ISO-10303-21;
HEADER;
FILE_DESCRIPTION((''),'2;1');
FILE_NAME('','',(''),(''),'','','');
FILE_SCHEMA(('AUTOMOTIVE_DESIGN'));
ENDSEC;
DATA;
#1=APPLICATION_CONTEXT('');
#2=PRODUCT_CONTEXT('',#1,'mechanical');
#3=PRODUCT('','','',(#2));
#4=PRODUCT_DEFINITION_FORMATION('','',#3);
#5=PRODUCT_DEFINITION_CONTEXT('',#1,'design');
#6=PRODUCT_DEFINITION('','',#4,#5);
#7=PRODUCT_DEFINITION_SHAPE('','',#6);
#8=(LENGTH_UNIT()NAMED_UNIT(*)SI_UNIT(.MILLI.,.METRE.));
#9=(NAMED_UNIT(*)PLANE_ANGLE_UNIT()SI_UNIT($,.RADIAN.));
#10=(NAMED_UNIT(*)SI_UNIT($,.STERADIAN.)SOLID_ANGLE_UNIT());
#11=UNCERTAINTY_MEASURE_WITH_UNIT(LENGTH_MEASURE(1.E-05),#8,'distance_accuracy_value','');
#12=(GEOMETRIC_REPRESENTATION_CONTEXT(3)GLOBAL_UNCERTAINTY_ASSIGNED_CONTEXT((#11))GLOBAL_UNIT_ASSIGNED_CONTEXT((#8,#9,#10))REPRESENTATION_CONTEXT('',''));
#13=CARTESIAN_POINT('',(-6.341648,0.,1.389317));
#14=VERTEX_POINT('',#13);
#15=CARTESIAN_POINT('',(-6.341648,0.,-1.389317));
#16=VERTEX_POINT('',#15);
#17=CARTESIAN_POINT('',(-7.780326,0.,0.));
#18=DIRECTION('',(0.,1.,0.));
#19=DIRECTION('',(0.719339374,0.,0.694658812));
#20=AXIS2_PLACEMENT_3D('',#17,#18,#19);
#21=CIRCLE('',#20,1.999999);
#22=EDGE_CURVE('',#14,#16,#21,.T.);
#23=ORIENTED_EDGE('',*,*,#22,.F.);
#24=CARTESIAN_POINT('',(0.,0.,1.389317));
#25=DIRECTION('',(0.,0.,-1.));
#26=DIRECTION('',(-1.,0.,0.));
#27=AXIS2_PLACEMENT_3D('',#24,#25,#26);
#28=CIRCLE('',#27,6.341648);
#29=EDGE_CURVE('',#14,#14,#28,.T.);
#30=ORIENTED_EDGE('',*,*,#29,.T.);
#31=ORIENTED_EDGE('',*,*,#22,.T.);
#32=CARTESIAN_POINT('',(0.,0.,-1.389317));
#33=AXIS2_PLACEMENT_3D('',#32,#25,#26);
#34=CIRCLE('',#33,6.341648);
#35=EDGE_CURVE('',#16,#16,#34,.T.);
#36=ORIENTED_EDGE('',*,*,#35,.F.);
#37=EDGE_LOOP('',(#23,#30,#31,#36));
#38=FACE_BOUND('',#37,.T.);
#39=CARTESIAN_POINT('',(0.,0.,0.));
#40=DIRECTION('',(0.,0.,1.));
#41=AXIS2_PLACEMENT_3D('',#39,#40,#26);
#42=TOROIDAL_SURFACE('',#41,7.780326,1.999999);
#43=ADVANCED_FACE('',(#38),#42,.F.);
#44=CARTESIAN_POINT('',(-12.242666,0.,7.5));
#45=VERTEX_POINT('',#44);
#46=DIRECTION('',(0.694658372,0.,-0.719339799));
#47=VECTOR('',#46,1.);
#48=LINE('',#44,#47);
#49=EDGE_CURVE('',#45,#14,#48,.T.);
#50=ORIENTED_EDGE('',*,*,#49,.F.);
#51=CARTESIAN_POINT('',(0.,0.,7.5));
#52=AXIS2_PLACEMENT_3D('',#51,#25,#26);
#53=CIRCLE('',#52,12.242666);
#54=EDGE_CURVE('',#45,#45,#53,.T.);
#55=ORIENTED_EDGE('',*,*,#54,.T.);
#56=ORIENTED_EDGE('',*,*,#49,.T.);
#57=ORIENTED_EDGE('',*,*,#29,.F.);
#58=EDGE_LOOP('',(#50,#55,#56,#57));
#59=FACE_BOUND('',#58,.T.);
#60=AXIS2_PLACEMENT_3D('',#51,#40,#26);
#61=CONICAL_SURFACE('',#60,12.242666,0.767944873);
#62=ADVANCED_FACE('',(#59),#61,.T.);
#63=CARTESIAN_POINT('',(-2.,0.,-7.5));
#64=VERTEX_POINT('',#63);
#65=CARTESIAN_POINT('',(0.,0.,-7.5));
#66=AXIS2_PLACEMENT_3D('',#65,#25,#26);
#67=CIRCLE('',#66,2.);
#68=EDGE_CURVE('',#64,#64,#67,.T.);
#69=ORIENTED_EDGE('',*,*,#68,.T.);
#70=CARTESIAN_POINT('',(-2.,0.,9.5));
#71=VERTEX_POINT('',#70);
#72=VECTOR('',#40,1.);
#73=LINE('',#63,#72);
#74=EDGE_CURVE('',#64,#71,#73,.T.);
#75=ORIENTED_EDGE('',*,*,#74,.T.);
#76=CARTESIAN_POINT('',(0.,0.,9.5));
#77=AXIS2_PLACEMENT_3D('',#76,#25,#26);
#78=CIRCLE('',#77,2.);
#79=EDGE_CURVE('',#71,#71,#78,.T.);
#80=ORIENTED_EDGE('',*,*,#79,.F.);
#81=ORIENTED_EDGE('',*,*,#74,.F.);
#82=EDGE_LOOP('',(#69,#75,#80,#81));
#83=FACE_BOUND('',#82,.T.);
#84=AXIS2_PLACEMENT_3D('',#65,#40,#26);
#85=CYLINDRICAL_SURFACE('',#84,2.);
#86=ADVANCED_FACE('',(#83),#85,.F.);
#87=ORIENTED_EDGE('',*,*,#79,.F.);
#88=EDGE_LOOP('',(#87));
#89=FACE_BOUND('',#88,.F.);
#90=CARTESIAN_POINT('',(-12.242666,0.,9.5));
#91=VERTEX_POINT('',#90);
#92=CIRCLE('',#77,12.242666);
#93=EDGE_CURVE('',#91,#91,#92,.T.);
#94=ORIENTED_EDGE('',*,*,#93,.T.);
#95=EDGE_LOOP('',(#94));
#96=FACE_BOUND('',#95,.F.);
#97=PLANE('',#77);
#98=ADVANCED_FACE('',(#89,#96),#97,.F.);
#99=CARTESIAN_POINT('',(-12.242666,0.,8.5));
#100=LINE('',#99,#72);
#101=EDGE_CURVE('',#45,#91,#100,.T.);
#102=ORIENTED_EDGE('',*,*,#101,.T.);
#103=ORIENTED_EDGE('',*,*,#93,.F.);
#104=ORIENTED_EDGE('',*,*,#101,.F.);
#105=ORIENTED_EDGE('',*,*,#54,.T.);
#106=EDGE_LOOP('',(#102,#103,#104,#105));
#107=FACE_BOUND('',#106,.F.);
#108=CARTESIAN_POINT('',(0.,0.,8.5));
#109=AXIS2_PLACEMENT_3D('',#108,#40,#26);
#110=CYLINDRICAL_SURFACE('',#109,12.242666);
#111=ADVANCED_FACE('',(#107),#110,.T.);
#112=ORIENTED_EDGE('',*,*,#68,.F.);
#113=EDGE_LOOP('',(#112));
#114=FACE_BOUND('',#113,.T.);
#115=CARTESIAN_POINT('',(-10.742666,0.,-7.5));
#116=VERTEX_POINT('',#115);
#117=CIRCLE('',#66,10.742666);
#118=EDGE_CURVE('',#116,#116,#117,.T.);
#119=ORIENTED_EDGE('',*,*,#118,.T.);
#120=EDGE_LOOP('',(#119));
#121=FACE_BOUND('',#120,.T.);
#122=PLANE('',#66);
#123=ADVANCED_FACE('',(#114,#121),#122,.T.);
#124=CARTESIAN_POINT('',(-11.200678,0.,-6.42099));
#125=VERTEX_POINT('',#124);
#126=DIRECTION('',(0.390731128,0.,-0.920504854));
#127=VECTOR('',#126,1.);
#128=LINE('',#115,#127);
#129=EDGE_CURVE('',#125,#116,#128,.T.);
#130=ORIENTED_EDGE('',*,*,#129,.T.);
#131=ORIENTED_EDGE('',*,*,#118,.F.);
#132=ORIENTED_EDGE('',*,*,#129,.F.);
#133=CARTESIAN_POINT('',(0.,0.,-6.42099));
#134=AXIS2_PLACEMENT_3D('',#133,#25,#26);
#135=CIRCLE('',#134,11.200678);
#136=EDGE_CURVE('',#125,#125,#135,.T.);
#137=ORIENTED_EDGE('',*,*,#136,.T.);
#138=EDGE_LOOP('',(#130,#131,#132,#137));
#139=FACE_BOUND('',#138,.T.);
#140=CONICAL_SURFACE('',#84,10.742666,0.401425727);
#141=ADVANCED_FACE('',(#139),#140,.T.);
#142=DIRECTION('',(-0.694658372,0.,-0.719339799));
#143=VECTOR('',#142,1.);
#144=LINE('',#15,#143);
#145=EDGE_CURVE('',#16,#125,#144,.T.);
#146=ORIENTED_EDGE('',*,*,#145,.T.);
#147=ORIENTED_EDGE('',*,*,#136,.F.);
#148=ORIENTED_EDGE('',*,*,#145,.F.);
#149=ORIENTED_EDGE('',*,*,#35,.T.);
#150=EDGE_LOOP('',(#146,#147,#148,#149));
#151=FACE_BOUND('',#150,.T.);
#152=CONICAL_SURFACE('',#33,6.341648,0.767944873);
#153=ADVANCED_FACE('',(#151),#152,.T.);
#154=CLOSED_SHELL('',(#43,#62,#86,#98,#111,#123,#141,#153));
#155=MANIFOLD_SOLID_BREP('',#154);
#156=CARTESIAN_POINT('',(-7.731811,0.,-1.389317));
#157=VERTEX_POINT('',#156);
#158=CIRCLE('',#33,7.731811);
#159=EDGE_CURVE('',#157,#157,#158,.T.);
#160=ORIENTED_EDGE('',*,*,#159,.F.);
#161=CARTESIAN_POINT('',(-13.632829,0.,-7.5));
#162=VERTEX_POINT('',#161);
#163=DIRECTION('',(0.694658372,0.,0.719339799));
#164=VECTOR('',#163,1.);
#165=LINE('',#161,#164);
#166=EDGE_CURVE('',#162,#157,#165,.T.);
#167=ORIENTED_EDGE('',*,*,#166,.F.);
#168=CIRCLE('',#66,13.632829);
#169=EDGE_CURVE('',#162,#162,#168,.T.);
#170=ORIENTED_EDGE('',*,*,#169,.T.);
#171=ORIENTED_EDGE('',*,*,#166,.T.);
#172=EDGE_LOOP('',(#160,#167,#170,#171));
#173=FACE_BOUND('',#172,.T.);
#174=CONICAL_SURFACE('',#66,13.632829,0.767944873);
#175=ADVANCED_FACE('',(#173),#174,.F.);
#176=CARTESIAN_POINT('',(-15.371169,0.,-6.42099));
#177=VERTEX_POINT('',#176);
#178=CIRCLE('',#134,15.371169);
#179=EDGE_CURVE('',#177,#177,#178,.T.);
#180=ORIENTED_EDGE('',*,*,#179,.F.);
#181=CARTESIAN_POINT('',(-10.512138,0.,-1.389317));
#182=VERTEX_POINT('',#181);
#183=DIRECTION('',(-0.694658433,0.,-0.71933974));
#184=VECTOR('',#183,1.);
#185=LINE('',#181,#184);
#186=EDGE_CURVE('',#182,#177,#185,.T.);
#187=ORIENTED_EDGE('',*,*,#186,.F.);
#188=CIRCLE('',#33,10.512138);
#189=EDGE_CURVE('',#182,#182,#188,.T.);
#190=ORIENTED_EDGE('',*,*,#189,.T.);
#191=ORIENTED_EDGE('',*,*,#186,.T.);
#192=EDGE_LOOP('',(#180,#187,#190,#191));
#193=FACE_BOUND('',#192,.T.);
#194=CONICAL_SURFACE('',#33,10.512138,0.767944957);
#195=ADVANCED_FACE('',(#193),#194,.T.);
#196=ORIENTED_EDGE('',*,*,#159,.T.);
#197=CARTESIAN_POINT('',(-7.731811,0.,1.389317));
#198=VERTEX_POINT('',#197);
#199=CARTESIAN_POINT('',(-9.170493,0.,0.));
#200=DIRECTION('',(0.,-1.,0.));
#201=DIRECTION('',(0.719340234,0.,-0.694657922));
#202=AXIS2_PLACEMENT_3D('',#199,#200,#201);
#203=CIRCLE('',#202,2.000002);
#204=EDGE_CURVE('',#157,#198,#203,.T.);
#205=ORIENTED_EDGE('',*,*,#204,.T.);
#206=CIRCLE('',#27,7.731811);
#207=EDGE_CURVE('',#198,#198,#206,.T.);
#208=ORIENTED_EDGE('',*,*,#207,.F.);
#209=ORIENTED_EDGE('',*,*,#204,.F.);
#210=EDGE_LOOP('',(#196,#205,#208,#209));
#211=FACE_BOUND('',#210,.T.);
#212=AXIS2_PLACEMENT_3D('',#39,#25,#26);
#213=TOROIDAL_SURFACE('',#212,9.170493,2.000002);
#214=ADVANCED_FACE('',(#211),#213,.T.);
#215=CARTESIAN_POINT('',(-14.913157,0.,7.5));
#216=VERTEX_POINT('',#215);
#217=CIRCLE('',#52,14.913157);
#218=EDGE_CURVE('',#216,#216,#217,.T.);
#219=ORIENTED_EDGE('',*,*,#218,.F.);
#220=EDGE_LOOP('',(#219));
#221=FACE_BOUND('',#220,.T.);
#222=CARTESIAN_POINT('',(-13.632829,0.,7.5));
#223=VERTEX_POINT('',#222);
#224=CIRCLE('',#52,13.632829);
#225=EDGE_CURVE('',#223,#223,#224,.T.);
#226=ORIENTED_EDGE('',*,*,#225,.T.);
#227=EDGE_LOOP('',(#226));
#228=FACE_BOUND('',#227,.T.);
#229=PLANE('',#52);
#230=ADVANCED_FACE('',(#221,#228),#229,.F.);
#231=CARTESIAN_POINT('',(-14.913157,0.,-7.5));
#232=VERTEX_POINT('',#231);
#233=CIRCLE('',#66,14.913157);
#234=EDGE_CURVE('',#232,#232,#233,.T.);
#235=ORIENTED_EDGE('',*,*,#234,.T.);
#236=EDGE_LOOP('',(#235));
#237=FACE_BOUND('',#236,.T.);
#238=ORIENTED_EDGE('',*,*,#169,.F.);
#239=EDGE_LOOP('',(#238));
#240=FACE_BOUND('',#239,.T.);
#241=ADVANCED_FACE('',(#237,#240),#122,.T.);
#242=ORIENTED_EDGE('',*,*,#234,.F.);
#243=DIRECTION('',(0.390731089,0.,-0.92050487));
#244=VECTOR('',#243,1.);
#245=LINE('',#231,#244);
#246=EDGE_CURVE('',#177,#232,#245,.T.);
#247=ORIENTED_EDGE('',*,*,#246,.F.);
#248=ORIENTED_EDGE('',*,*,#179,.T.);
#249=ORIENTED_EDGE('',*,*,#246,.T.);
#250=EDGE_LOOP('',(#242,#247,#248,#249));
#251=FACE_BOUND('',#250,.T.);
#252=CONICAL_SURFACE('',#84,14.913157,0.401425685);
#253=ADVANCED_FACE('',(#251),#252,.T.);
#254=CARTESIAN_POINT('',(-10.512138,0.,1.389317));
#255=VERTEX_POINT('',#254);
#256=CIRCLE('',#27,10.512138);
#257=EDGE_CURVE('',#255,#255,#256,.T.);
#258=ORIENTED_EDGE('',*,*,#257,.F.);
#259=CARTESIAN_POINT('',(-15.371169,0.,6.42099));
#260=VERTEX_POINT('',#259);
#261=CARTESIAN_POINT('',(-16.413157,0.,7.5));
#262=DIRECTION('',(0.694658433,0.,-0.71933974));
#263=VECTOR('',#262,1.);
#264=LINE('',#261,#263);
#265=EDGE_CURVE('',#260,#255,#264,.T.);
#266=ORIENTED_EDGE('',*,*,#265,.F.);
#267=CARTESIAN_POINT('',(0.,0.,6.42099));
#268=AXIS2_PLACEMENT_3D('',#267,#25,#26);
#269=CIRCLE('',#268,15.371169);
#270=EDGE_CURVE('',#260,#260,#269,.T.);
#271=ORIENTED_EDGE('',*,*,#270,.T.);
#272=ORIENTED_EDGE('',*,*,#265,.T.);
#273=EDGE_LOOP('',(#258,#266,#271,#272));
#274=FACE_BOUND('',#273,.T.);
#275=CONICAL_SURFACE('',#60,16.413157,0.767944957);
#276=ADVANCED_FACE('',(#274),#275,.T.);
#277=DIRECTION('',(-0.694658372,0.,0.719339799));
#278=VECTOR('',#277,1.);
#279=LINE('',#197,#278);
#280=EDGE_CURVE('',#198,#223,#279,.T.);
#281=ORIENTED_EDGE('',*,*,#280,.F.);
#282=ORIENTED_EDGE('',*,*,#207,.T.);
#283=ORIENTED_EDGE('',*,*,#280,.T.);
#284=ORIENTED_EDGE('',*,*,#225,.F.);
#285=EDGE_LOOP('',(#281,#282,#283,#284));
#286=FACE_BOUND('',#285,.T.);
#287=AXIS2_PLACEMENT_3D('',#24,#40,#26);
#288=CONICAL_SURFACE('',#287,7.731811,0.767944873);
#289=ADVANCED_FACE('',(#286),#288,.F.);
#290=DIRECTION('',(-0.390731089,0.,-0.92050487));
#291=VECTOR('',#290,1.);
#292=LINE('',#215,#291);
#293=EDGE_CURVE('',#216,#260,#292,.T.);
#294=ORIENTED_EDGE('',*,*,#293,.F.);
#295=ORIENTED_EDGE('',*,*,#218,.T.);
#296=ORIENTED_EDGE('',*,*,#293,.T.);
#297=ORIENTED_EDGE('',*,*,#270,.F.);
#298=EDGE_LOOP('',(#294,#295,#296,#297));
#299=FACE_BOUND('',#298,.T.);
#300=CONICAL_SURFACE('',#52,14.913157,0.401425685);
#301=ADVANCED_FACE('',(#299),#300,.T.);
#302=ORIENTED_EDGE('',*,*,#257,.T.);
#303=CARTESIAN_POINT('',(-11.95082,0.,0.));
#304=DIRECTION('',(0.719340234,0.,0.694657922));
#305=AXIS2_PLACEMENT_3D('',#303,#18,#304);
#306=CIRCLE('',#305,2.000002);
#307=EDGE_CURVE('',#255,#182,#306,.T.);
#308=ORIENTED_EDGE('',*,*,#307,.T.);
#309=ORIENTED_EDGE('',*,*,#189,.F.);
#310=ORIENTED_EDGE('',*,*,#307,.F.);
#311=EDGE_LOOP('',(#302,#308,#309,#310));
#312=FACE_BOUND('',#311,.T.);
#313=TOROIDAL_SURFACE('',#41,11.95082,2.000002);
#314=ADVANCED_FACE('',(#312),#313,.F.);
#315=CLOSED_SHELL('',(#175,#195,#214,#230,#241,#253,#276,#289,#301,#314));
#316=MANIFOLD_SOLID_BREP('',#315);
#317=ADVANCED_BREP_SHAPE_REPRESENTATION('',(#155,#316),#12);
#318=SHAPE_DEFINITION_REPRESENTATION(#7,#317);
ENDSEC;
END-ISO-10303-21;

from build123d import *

# Parameters (mm, degrees)
F0_W    = 10.242666
F0_H    = 2
F2_SIZE = 1.5


with BuildPart() as f1:
    # F0 (on Front) → F1 (revolve)
    with BuildSketch(Plane.XZ):
        with BuildLine():
            Line((-2, -7.5), (-2, 7.5))
            Line((-2, 7.5), (-12.242666, 7.5))
            Line((-12.242666, 7.5), (-6.341648, 1.389317))
            ThreePointArc((-6.341648, 1.389317), (-5.780327, 0), (-6.341648, -1.389317))
            Line((-6.341648, -1.389317), (-12.242666, -7.5))
            Line((-12.242666, -7.5), (-2, -7.5))
        make_face()
        with Locations((-7.121333, 8.5)):
            Rectangle(F0_W, F0_H)
        with BuildLine():
            Line((-7.731811, 1.389317), (-13.632829, 7.5))
            Line((-13.632829, 7.5), (-16.413157, 7.5))
            Line((-16.413157, 7.5), (-10.512138, 1.389317))
            ThreePointArc((-10.512138, 1.389317), (-9.950818, 0), (-10.512138, -1.389317))
            Line((-10.512138, -1.389317), (-16.413157, -7.5))
            Line((-16.413157, -7.5), (-13.632829, -7.5))
            Line((-13.632829, -7.5), (-7.731811, -1.389317))
            ThreePointArc((-7.731811, -1.389317), (-7.170491, 0), (-7.731811, 1.389317))
        make_face()
    revolve(axis=Axis((0, 0, -0.133118), (0, 0, -1)))

    # F2
    f2_edges = [f1.edges().sort_by_distance(p)[0] for p in [
        (12.242666, 0, -7.5),
        (16.413157, 0, -7.5),
        (16.413157, 0, 7.5),
    ]]
    chamfer(f2_edges, length=F2_SIZE)


solid = f1.part
